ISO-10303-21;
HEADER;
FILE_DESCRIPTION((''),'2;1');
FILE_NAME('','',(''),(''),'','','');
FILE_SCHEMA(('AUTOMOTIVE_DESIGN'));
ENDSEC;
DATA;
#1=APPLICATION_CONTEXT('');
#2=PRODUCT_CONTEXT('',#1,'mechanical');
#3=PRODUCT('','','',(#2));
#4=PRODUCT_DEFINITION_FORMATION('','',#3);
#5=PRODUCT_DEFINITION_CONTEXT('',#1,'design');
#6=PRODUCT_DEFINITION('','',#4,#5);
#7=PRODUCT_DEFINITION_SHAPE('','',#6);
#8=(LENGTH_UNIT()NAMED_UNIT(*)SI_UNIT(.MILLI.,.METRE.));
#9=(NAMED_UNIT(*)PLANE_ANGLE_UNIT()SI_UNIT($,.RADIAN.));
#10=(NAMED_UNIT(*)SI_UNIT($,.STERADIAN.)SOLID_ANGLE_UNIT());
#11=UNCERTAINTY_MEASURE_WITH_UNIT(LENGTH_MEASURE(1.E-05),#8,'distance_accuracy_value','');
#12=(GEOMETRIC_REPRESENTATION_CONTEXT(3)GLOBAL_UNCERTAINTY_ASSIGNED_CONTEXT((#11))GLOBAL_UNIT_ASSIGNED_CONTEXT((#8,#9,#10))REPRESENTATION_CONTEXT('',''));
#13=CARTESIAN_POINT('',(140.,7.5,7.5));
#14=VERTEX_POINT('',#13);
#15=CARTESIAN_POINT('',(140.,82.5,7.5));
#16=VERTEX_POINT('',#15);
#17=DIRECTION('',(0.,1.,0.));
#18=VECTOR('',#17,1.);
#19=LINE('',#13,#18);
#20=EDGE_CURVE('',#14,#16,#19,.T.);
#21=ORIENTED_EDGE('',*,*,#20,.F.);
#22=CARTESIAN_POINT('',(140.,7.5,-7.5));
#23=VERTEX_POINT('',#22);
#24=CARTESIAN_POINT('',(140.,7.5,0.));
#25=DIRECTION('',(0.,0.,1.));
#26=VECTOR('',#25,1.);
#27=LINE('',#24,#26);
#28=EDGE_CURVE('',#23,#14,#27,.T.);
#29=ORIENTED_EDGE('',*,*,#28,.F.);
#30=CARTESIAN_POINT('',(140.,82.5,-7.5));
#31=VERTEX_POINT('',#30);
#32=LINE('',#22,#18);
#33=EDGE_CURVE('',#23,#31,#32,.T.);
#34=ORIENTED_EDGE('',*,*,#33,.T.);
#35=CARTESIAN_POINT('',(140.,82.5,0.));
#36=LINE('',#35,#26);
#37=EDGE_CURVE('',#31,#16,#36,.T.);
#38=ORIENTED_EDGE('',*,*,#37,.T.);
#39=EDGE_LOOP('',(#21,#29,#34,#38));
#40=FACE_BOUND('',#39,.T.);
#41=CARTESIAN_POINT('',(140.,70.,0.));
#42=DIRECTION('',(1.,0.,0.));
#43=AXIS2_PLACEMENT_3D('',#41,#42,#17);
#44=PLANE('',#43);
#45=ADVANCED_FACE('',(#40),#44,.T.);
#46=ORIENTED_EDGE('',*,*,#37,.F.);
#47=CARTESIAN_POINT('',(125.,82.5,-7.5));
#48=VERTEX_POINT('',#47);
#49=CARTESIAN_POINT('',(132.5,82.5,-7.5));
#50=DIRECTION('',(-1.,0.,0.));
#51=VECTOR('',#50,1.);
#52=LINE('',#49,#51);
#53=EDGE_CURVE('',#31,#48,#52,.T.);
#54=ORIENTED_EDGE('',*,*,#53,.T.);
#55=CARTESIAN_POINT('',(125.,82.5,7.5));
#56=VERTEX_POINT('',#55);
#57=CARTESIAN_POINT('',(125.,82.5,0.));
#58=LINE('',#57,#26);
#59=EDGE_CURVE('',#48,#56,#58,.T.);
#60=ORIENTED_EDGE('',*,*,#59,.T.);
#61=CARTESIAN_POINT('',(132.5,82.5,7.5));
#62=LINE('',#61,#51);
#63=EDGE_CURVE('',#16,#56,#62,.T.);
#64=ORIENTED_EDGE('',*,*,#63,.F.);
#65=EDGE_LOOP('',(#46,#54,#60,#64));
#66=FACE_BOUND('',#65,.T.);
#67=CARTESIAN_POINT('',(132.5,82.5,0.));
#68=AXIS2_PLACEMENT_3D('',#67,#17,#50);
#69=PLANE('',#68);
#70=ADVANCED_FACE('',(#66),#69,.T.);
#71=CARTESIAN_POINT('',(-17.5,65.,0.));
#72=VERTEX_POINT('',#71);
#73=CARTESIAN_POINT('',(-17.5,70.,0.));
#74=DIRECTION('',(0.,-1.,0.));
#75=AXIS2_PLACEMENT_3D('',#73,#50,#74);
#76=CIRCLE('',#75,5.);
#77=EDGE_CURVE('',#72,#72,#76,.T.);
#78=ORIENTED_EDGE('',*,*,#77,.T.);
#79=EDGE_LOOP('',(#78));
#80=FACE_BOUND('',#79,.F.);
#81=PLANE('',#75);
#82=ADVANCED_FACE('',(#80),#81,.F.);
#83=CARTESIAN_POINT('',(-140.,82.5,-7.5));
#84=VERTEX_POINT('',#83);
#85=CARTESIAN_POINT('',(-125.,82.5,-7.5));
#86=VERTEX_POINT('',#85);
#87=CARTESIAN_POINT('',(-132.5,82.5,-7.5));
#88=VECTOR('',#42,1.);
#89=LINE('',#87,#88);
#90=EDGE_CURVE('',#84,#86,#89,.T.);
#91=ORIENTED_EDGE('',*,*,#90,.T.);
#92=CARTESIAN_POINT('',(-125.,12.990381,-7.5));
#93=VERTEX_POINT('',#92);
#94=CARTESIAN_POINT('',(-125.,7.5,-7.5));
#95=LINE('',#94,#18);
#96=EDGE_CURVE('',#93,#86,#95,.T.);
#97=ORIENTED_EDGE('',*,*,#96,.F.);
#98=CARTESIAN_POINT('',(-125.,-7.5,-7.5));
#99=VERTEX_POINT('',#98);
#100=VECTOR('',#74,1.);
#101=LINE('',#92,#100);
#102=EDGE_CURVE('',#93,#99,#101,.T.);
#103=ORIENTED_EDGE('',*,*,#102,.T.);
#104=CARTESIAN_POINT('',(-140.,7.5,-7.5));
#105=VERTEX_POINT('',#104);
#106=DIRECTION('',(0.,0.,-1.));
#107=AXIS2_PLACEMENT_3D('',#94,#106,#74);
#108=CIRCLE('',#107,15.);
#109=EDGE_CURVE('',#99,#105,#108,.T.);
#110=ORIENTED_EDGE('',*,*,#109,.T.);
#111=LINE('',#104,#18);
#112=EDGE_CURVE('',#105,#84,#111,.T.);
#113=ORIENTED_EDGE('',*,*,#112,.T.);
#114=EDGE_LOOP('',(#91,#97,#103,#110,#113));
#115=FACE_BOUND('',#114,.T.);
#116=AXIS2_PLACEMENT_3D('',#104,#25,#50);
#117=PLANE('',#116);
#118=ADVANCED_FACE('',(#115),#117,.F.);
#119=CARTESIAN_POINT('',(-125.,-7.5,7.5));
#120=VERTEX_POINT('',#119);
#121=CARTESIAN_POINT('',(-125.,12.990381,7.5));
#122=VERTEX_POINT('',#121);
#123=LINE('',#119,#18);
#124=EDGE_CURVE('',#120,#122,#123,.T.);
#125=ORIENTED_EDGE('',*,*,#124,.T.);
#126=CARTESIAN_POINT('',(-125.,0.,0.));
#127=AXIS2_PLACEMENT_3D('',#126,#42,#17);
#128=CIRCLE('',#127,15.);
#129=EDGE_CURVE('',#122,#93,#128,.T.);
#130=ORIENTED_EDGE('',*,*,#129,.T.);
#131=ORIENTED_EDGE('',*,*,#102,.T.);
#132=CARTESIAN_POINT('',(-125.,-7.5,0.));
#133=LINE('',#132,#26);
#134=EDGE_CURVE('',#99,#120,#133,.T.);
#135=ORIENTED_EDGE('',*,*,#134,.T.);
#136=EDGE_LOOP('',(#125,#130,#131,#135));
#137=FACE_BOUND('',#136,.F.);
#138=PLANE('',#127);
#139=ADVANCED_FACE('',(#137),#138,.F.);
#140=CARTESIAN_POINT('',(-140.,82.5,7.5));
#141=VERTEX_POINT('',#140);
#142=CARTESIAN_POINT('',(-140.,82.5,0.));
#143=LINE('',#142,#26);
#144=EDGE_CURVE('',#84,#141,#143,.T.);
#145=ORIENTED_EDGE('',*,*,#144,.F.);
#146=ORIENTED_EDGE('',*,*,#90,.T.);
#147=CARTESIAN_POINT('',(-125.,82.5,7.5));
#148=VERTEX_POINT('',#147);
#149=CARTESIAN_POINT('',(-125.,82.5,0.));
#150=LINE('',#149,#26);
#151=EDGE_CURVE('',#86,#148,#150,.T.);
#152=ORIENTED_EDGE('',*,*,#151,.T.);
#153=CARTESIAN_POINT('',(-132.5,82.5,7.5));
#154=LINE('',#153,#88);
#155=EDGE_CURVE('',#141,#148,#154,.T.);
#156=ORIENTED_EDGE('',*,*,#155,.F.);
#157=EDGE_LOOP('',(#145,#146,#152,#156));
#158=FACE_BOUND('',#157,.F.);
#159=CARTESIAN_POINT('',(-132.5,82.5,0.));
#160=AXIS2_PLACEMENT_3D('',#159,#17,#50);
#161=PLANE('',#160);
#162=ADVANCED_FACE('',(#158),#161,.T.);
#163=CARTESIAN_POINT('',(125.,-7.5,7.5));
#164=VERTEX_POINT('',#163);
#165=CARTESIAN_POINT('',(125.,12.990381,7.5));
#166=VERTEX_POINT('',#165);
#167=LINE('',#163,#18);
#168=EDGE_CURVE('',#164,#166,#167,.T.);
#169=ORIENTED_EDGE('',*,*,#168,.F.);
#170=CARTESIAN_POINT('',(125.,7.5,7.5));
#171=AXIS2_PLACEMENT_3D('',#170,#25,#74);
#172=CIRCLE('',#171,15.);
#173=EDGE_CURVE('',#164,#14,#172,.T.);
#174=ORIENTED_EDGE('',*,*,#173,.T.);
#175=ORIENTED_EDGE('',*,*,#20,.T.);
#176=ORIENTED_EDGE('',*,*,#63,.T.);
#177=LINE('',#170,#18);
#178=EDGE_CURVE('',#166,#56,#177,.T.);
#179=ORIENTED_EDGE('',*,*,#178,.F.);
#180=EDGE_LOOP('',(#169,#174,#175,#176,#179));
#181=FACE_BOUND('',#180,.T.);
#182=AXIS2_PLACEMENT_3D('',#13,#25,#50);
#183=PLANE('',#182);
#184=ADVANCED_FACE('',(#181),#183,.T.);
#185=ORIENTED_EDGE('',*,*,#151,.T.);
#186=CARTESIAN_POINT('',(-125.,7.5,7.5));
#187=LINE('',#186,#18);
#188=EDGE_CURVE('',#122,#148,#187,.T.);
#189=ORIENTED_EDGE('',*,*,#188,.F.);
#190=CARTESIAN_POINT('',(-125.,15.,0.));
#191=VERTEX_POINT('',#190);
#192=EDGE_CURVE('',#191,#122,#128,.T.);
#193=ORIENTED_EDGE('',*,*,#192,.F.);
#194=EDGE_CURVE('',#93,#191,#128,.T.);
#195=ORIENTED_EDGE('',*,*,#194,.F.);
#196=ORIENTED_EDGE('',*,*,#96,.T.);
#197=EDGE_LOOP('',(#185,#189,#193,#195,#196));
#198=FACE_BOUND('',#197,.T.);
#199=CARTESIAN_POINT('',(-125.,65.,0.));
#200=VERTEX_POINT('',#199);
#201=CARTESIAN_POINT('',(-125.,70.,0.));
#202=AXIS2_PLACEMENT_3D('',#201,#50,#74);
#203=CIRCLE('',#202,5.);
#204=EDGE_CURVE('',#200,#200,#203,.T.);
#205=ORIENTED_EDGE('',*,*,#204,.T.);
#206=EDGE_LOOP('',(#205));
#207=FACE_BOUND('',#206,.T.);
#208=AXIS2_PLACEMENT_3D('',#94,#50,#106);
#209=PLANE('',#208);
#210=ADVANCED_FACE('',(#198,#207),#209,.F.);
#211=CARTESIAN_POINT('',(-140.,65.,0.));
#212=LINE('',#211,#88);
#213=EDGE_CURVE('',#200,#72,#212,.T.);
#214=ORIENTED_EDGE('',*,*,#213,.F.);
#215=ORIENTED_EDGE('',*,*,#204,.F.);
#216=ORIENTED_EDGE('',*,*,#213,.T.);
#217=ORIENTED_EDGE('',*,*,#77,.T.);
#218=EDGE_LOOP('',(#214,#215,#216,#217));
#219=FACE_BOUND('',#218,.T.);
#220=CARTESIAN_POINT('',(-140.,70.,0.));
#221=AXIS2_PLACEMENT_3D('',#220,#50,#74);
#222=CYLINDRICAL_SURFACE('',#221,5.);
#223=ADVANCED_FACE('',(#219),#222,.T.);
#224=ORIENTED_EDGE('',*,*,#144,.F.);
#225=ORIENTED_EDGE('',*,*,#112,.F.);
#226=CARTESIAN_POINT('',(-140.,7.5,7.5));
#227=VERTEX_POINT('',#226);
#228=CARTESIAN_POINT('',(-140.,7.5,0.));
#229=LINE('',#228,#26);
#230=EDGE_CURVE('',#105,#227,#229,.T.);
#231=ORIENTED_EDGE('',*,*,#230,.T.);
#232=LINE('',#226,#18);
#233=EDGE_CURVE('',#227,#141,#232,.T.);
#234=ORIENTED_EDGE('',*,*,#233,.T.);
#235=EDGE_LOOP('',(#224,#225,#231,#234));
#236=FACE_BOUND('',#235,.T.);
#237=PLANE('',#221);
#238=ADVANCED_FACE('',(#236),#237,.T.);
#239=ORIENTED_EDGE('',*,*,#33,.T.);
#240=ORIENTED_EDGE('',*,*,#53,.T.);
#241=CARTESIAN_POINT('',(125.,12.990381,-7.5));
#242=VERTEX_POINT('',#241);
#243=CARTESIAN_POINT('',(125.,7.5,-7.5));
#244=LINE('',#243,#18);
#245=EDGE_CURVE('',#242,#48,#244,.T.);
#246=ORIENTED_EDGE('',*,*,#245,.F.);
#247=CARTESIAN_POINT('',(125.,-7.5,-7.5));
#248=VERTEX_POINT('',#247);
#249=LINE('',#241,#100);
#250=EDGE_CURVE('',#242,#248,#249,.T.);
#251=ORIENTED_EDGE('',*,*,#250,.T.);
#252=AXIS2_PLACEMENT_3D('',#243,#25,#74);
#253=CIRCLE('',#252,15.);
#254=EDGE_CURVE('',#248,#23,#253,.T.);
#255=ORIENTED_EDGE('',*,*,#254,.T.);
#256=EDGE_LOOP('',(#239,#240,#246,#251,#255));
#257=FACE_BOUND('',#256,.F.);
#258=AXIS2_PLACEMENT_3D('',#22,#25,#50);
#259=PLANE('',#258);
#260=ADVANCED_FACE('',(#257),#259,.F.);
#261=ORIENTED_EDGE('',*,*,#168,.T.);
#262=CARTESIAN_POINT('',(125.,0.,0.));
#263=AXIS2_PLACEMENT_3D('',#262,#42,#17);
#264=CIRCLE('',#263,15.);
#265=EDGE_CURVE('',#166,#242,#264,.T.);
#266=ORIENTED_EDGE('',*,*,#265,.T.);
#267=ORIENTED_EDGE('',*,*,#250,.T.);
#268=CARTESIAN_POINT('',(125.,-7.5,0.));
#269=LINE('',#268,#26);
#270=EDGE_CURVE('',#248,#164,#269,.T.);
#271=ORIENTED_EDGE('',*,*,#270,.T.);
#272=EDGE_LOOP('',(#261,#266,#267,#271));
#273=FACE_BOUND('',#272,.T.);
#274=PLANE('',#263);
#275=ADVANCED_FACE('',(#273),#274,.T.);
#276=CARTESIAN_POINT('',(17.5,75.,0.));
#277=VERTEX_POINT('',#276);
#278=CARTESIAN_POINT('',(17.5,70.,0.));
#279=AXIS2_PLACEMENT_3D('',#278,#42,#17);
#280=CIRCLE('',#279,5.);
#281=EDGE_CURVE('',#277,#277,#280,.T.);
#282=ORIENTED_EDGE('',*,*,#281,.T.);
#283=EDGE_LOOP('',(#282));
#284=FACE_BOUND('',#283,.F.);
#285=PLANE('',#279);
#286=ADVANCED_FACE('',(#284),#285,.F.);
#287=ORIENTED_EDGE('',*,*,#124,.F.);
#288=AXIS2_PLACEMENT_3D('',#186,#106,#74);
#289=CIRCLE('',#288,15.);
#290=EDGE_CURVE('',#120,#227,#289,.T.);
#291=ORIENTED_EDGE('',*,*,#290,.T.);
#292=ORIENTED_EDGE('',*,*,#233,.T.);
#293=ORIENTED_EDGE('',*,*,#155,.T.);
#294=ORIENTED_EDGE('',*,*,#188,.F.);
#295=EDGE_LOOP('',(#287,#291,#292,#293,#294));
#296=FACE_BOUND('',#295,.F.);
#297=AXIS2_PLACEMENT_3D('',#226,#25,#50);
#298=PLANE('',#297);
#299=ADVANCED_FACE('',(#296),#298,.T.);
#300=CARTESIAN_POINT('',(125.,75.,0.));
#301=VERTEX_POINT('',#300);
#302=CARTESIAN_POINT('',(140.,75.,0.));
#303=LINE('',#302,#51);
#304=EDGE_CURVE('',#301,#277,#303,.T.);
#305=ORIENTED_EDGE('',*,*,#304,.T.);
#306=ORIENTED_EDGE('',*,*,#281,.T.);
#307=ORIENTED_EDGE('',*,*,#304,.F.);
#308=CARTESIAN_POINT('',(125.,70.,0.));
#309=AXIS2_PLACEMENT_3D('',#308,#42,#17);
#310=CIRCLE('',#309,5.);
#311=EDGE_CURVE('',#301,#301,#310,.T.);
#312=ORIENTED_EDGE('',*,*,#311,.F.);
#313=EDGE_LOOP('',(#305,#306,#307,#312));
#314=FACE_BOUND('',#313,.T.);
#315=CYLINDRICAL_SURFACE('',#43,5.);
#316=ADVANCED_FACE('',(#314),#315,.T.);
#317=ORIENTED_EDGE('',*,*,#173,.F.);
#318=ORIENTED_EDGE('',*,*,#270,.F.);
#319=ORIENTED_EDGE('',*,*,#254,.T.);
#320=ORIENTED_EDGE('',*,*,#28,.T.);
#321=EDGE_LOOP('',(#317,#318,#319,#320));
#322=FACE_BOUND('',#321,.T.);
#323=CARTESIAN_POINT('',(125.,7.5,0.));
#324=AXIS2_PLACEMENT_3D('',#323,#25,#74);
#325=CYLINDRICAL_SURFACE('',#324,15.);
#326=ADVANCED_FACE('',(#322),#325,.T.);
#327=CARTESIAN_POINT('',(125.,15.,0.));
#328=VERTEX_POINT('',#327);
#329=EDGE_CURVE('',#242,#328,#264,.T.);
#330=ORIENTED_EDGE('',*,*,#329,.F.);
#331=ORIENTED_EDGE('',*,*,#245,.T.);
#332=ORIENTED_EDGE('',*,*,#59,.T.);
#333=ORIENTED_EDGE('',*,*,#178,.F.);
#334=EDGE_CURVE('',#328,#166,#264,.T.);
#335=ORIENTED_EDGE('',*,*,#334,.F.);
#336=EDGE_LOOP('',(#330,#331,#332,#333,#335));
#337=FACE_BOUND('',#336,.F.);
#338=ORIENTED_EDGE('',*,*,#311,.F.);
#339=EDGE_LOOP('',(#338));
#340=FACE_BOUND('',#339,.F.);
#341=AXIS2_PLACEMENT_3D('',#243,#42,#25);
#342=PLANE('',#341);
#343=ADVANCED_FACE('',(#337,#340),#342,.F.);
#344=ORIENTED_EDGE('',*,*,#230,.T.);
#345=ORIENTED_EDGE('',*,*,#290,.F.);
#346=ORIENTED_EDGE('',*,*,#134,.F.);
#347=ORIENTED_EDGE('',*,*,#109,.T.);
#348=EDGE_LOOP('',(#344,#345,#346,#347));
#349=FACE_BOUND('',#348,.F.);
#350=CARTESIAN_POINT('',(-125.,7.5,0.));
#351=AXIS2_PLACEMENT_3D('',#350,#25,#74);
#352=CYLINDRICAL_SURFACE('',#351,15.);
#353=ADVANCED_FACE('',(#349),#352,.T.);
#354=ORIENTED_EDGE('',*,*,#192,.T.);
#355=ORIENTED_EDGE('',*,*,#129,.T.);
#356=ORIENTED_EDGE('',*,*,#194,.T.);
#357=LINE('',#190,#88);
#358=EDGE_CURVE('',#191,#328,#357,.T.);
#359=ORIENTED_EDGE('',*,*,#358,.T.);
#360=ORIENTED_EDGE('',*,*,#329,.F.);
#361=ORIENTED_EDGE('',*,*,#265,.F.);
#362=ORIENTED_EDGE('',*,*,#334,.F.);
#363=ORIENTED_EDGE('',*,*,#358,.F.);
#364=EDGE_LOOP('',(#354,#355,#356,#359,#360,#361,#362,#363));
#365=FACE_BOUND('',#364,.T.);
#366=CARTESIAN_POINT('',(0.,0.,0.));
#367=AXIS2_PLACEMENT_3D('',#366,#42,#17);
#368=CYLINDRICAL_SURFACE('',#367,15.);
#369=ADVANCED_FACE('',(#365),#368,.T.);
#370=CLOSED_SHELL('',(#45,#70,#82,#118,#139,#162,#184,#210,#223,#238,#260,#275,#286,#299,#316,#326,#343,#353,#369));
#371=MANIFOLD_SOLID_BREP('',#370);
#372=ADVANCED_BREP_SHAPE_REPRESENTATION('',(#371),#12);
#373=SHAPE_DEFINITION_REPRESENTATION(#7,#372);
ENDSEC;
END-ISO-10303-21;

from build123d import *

# Parameters (mm, degrees)
F0_R      = 15
F1_DEPTH  = 125
F2_W      = 15
F2_H      = 15
F3_ANGLE  = 90
F5_W      = 15
F5_H      = 15
F6_DEPTH  = 75
F8_R      = 5
F9_DEPTH  = 122.5
F10_R     = 5
F11_DEPTH = 122.5


with BuildPart() as f1:
    # F0 (on Right) → F1 (new body, symmetric)
    with BuildSketch(Plane.YZ):
        Circle(F0_R)
    extrude(amount=F1_DEPTH, both=True)

    # F4: F3 across plane


with BuildPart() as f3:
    # F2 (on face) → F3 (revolve)
    with BuildSketch(Plane.YZ.offset(125)):
        Rectangle(F2_W, F2_H)
    revolve(axis=Axis((125, 7.5, 0), (0, 0, 1)), revolution_arc=F3_ANGLE)


with BuildPart() as f1_1:
    add(f1.part)
    add(f3.part.mirror(Plane.YZ))


    add(f3.part)  # F6 merges F3
    # F5 (on face) → F6 (join)
    with BuildSketch(Plane(origin=(0, 7.5, 0), x_dir=(-1, 0, 0), z_dir=(0, 1, 0))):
        with Locations((-132.5, 0)):
            Rectangle(F5_W, F5_H)
    extrude(amount=F6_DEPTH)

    # F7: F1 across plane


with BuildPart() as f1_2:
    add(f1_1.part)
    add(f1_1.part.mirror(Plane.YZ))

    # F8 (on face) → F9 (join)
    with BuildSketch(Plane(origin=(-140, 0, 0), x_dir=(0, -1, 0), z_dir=(-1, 0, 0))):
        with Locations((-70, 0)):
            Circle(F8_R)
    extrude(amount=-F9_DEPTH)

    # F10 (on face) → F11 (join)
    with BuildSketch(Plane.YZ.offset(140)):
        with Locations((70, 0)):
            Circle(F10_R)
    extrude(amount=-F11_DEPTH)


solid = f1_2.part
